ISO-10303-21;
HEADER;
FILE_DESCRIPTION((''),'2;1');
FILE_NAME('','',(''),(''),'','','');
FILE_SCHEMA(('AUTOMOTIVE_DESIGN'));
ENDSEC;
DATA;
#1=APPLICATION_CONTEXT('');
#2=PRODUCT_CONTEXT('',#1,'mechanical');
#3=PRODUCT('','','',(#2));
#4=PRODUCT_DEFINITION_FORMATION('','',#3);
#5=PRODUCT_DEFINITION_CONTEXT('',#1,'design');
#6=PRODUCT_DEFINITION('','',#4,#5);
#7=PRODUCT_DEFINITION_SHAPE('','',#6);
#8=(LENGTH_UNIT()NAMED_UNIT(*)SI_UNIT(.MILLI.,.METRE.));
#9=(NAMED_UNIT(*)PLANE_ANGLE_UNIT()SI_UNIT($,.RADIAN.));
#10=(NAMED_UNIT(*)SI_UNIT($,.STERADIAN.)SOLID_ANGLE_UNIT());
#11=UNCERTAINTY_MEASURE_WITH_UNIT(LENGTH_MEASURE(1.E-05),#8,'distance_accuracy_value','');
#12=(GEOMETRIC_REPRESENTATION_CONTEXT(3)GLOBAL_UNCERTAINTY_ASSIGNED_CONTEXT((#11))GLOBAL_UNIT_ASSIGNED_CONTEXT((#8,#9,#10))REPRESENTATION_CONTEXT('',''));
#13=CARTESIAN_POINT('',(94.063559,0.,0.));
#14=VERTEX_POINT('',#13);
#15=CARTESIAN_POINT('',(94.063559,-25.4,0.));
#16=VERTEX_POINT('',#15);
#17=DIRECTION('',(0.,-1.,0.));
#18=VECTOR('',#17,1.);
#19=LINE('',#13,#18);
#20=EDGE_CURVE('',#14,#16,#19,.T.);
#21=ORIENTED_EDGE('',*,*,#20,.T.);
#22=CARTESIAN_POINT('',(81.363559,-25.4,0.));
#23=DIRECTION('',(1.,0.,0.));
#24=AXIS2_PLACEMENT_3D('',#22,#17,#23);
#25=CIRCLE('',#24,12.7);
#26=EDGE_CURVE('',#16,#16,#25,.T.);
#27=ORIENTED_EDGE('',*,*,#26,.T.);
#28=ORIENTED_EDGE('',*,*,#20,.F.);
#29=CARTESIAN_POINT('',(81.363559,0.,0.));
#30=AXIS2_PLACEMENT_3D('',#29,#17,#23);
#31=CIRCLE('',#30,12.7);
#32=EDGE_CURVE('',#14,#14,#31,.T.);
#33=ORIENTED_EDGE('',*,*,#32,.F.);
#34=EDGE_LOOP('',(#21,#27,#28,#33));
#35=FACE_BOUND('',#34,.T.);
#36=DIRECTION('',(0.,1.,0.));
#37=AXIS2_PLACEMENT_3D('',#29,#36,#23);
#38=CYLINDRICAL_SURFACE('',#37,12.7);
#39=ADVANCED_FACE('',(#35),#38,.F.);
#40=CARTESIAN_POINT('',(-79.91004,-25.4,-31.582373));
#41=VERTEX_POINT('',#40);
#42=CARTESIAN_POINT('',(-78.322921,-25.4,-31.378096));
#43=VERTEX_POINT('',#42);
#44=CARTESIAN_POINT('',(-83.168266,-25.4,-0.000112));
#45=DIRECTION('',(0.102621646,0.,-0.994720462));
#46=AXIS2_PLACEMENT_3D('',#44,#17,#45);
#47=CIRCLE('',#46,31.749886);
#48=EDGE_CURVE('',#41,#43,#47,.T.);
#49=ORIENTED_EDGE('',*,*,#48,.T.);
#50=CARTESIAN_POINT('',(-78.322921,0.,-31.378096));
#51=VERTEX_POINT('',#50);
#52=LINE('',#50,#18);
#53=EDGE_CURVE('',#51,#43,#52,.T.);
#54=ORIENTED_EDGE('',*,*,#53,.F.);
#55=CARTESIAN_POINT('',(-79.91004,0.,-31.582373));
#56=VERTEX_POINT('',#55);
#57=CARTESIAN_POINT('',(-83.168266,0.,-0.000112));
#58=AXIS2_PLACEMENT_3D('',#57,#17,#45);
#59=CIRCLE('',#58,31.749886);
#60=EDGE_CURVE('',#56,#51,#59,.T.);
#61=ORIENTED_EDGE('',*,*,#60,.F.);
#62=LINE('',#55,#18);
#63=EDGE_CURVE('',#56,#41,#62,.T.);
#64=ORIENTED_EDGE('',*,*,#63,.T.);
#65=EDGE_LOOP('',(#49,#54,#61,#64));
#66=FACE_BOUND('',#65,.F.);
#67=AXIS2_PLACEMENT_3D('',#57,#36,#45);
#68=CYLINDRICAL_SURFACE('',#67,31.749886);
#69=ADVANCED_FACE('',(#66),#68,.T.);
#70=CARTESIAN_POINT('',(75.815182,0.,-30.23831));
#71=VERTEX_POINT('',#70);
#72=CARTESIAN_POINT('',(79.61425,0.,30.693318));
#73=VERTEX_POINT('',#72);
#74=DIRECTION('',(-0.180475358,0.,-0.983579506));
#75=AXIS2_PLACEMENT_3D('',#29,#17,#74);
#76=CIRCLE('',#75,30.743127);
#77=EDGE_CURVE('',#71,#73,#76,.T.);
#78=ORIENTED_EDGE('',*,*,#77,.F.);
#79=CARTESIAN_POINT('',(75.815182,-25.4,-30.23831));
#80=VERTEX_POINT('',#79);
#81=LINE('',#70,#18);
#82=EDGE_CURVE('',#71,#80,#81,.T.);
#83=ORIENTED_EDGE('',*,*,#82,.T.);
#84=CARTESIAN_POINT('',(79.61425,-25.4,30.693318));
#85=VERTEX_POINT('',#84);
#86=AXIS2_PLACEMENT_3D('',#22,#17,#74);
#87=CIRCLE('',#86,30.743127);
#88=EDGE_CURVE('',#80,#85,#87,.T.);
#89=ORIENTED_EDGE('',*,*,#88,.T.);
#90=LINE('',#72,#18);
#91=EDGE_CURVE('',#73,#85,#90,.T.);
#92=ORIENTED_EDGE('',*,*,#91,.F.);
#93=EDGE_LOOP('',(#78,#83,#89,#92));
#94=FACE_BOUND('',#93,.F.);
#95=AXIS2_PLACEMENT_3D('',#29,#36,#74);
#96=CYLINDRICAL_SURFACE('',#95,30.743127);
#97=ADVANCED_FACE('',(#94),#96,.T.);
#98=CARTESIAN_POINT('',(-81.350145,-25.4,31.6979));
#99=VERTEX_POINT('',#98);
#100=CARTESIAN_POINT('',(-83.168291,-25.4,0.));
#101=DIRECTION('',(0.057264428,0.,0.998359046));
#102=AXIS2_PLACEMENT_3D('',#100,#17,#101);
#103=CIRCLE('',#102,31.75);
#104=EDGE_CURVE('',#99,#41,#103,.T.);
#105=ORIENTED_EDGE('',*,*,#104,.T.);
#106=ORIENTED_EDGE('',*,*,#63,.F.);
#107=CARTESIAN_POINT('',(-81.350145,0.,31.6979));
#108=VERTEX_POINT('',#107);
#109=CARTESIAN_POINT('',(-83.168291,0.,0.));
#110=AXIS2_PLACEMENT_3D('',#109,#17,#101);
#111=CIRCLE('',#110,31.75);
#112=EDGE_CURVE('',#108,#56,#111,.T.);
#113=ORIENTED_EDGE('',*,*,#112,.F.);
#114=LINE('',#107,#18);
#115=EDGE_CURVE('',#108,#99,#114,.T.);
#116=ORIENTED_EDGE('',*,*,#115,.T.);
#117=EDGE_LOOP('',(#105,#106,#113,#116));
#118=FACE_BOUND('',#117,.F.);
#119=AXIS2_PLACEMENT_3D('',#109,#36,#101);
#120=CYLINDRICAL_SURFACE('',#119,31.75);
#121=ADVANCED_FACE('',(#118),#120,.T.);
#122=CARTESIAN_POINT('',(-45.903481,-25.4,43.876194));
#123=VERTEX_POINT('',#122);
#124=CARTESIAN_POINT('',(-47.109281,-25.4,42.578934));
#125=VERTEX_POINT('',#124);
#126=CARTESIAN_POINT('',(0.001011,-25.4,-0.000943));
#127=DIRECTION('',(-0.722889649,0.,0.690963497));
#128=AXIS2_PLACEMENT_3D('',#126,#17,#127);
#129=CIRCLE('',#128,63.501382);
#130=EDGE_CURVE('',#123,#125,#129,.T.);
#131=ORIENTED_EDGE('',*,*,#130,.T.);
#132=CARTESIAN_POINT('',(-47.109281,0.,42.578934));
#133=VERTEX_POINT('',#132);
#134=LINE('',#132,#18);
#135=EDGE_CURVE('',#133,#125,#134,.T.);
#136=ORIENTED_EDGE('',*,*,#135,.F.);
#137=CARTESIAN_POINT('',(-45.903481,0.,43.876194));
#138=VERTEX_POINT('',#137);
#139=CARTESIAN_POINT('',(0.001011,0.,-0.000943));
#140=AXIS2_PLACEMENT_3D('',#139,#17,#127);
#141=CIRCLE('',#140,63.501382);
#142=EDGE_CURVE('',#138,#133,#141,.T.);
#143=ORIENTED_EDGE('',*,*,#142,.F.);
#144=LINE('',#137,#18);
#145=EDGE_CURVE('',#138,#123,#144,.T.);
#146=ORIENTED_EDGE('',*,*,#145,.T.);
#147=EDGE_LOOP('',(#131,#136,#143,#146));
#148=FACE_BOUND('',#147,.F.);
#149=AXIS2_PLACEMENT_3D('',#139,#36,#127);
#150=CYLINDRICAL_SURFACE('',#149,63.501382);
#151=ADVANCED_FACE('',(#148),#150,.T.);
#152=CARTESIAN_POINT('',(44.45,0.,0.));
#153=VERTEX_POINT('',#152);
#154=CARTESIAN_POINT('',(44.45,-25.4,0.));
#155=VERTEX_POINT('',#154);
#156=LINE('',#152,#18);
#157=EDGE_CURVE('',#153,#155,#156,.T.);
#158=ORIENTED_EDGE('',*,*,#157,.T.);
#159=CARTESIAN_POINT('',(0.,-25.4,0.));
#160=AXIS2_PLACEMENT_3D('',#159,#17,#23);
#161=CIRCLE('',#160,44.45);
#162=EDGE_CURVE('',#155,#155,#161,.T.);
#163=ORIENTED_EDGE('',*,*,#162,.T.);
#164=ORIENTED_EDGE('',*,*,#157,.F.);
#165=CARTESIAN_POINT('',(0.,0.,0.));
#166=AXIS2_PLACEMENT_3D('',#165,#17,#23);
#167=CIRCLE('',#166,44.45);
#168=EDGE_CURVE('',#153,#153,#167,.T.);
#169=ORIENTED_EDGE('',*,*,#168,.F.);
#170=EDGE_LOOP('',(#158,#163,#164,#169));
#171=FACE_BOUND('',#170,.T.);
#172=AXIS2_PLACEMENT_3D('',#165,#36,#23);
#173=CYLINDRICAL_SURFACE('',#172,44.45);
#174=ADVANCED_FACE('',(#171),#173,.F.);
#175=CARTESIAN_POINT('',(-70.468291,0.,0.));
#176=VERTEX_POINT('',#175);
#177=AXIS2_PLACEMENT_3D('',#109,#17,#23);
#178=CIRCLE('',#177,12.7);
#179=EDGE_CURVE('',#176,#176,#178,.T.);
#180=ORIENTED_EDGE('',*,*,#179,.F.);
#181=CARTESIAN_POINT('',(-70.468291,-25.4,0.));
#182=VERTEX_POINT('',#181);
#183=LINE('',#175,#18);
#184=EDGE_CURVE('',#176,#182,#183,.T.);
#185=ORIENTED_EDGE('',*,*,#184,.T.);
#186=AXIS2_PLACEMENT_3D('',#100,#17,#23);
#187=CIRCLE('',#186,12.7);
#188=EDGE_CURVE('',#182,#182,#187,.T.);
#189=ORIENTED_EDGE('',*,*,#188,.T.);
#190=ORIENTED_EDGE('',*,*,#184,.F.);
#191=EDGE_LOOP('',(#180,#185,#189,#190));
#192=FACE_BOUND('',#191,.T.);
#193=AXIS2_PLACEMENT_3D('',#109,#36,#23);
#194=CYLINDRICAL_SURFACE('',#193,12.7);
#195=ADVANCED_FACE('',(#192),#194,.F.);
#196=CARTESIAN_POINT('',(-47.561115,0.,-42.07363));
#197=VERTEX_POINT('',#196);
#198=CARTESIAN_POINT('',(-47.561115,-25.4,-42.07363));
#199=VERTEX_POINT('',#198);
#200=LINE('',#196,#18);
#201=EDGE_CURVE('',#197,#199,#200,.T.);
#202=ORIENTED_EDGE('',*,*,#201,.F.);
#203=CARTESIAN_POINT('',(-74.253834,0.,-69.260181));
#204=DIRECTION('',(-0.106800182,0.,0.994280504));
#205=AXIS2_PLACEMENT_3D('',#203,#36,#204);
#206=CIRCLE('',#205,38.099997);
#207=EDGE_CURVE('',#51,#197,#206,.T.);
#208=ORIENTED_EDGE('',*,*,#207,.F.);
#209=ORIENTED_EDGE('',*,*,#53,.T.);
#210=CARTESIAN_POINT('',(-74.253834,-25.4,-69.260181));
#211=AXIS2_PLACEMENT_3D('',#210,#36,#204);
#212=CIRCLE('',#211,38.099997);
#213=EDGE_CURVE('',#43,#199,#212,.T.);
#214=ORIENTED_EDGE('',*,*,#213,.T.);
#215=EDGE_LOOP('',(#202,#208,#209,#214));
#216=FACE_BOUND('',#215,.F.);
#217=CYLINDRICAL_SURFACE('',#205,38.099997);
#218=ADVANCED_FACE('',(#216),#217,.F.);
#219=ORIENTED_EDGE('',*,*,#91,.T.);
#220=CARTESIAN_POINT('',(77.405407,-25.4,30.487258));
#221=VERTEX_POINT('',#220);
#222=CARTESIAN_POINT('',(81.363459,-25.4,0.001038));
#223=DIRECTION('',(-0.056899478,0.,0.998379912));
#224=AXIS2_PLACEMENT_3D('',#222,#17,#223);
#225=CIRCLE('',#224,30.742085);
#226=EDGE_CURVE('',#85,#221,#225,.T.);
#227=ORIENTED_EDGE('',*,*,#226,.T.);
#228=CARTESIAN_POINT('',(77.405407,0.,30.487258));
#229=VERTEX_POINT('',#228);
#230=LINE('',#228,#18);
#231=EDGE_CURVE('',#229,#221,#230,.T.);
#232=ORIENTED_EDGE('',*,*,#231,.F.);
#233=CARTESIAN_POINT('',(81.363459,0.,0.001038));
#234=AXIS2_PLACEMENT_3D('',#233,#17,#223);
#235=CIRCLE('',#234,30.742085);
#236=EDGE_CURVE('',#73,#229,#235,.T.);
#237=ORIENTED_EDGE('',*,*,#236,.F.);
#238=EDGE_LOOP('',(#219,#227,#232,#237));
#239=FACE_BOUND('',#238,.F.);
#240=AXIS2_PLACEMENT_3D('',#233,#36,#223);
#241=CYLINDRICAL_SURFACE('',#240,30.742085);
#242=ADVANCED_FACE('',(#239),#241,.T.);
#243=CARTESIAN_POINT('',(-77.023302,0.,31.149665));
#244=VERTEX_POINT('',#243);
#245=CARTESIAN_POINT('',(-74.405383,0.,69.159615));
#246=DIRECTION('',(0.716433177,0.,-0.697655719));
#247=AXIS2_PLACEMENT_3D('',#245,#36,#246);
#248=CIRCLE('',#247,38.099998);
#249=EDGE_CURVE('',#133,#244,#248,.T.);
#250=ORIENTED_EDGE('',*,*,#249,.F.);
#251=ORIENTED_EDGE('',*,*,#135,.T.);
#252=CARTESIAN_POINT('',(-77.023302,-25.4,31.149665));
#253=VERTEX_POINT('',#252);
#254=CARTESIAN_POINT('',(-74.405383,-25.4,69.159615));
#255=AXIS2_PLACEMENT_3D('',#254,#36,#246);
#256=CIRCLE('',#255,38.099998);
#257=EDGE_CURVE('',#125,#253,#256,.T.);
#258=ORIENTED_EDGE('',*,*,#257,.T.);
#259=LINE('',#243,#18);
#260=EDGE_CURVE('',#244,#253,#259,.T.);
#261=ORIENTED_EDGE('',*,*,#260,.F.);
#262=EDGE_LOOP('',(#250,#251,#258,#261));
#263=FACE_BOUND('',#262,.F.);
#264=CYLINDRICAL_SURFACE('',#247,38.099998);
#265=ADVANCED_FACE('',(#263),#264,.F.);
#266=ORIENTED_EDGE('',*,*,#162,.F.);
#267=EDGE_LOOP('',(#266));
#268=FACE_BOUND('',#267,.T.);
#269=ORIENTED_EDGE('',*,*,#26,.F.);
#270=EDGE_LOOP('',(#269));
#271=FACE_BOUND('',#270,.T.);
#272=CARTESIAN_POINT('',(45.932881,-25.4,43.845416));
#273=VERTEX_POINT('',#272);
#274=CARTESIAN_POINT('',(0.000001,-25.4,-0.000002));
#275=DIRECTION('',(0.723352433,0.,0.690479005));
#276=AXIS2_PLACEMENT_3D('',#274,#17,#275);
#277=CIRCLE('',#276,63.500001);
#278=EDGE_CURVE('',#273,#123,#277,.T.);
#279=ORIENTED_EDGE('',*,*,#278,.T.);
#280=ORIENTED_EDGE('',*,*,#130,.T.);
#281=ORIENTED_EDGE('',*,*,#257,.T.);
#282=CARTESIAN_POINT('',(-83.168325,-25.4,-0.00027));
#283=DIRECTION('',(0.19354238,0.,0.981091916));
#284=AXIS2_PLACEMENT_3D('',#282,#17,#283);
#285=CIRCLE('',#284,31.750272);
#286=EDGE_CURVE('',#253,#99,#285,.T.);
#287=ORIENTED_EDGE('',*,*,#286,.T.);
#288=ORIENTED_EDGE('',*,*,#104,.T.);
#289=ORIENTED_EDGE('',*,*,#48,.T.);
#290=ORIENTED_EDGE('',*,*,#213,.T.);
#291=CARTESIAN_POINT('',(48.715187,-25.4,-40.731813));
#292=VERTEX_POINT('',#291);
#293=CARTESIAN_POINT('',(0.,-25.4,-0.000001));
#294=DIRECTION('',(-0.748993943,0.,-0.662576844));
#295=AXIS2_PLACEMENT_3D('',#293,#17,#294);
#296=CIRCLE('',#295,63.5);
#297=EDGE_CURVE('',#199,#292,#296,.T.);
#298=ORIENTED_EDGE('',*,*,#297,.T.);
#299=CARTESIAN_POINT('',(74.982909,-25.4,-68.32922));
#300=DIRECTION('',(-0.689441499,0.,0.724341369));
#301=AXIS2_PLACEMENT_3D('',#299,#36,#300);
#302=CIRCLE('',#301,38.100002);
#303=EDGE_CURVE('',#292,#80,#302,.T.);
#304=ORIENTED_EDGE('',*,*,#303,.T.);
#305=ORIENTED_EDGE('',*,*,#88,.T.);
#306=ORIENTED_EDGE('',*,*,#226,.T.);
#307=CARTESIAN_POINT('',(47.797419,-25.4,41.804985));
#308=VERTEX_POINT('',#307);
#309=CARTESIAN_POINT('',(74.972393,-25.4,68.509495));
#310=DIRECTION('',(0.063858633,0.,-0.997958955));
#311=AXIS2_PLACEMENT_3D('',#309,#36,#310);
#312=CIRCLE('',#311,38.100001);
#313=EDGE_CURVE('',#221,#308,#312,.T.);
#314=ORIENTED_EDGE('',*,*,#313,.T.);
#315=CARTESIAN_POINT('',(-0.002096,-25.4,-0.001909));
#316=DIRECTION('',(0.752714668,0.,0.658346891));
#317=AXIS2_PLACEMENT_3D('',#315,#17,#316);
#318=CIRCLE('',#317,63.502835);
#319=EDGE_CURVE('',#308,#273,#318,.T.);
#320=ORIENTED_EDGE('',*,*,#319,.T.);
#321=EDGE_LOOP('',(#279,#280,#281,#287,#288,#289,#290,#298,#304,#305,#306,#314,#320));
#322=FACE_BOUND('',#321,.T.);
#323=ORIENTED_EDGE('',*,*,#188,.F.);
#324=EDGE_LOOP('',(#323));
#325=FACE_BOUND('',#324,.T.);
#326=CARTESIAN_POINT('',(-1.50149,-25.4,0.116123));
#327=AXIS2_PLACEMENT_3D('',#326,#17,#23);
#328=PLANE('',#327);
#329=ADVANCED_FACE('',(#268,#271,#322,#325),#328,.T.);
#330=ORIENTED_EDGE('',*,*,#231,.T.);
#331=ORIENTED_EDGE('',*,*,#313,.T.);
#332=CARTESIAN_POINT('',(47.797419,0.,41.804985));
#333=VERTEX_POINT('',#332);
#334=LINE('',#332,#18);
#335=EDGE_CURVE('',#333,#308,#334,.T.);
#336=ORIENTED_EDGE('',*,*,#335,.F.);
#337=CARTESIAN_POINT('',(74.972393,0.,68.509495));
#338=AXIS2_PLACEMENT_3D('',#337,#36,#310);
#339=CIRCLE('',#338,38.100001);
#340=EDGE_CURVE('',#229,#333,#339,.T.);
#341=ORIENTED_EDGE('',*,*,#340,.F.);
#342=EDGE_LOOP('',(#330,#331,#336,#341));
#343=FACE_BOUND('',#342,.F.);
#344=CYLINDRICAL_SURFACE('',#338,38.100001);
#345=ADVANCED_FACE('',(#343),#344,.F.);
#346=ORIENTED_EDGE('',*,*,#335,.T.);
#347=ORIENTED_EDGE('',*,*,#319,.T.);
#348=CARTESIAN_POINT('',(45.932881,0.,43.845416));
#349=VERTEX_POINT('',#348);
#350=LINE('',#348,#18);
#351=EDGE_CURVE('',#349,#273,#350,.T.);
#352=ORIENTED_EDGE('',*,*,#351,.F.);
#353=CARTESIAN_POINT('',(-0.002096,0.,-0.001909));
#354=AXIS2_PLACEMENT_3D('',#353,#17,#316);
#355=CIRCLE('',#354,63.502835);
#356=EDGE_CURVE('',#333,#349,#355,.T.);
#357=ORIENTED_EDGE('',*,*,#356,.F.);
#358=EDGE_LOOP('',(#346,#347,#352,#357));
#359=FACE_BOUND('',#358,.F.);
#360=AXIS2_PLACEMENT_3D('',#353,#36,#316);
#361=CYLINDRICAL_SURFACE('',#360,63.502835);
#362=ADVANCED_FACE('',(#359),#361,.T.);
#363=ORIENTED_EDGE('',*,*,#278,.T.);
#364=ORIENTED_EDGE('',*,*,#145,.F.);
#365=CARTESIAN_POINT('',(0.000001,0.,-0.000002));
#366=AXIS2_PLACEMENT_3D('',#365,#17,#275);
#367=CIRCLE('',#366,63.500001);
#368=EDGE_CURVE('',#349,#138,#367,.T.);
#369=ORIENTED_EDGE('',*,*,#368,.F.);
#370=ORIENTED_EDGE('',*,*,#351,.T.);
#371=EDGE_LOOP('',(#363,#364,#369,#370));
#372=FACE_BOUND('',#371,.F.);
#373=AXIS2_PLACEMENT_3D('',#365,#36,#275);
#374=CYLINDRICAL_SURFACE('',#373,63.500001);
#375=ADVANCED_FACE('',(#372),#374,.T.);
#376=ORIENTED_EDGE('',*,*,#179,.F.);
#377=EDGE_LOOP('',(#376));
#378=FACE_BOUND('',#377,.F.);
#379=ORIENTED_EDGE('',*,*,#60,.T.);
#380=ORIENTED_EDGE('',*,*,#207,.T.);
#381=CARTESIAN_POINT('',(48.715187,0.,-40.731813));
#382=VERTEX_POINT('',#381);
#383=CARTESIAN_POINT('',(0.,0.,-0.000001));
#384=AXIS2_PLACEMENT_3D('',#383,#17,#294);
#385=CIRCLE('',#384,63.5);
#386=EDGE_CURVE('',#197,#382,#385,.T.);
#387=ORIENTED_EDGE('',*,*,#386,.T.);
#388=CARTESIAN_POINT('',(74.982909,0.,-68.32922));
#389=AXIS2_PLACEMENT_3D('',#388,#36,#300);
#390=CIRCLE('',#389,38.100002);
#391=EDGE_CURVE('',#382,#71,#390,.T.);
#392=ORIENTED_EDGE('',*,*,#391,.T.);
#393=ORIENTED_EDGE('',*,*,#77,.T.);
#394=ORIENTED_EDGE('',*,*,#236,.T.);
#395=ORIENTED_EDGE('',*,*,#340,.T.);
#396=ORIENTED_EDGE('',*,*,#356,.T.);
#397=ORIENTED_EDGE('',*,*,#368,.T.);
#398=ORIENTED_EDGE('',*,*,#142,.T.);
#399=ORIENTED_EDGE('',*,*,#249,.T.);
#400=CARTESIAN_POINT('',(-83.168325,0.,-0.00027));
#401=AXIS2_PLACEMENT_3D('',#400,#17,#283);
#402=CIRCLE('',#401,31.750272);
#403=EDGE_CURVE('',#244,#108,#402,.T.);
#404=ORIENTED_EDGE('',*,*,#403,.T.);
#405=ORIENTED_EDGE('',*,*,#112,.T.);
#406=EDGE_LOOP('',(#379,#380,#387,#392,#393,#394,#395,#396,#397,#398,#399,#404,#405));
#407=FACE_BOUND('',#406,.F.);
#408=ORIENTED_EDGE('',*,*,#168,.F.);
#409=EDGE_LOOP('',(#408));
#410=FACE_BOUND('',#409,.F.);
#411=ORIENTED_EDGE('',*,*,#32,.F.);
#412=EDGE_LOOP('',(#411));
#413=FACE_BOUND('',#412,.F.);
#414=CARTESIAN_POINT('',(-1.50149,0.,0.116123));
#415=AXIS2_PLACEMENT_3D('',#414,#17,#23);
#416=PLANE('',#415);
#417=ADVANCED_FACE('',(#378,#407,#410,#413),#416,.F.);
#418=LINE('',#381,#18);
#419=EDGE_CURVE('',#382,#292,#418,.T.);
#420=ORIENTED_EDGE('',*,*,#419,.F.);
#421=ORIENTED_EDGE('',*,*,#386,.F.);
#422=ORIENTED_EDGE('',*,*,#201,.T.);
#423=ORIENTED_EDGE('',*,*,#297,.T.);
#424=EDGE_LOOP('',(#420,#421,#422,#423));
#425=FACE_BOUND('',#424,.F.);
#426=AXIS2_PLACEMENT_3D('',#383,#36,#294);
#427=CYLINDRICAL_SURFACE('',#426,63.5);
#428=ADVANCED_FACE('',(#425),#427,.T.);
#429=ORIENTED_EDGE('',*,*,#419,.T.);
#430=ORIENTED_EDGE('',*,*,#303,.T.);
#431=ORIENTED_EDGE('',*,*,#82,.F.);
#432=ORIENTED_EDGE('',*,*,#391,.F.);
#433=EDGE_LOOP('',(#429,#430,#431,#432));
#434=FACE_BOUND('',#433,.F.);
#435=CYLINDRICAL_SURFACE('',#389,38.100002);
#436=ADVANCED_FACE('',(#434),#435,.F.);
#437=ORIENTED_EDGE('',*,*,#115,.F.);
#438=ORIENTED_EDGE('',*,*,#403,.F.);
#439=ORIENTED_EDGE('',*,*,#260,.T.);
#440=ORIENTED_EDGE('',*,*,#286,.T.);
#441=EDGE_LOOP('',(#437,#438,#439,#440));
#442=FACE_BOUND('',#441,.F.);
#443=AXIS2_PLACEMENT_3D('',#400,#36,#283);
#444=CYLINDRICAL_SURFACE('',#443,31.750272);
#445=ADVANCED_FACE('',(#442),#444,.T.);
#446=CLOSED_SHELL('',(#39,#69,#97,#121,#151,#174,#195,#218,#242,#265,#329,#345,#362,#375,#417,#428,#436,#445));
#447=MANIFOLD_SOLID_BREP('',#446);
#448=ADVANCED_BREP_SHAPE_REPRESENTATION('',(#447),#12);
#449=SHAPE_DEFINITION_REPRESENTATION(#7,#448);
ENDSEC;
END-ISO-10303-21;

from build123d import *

# Parameters (mm, degrees)
F0_R     = 12.7
F0_R_2   = 44.45
F1_DEPTH = 25.4


with BuildPart() as f1:
    # F0 (on Front) → F1 (new body)
    with BuildSketch(Plane.XZ):
        with BuildLine():
            ThreePointArc((-78.322921, -31.378096), (-61.741608, -33.273322), (-47.561115, -42.07363))
            ThreePointArc((-47.561115, -42.07363), (0.884923, -63.493834), (48.715187, -40.731813))
            ThreePointArc((48.715187, -40.731813), (61.225405, -32.799779), (75.815182, -30.23831))
            ThreePointArc((75.815182, -30.23831), (112.047103, -1.913109), (79.61425, 30.693318))
            ThreePointArc((79.61425, 30.693318), (78.511328, 30.574208), (77.405407, 30.487258))
            ThreePointArc((77.405407, 30.487258), (61.368574, 32.920927), (47.797419, 41.804985))
            ThreePointArc((47.797419, 41.804985), (46.84664, 42.808286), (45.932881, 43.845416))
            ThreePointArc((45.932881, 43.845416), (0.021282, 63.499996), (-45.903481, 43.876194))
            ThreePointArc((-45.903481, 43.876194), (-46.498842, 43.220557), (-47.109281, 42.578934))
            ThreePointArc((-47.109281, 42.578934), (-60.807213, 33.568892), (-77.023302, 31.149665))
            ThreePointArc((-77.023302, 31.149665), (-79.194575, 31.361818), (-81.350145, 31.6979))
            ThreePointArc((-81.350145, 31.6979), (-114.910072, -0.722366), (-79.91004, -31.582373))
            ThreePointArc((-79.91004, -31.582373), (-79.117553, -31.471901), (-78.322921, -31.378096))
        make_face()
        with Locations((-83.168291, 0)):
            Circle(F0_R, mode=Mode.SUBTRACT)
        Circle(F0_R_2, mode=Mode.SUBTRACT)
        with Locations((81.363559, 0)):
            Circle(F0_R, mode=Mode.SUBTRACT)
        with BuildLine():
            ThreePointArc((-79.91004, -31.582373), (-79.115193, -31.490235), (-78.322921, -31.378096))
            ThreePointArc((-78.322921, -31.378096), (-79.117553, -31.471901), (-79.91004, -31.582373))
        make_face()
        with BuildLine():
            ThreePointArc((77.405407, 30.487258), (78.511328, 30.574208), (79.61425, 30.693318))
            ThreePointArc((79.61425, 30.693318), (78.507969, 30.610219), (77.405407, 30.487258))
        make_face()
        with BuildLine():
            ThreePointArc((-77.023302, 31.149665), (-79.177299, 31.498166), (-81.350145, 31.6979))
            ThreePointArc((-81.350145, 31.6979), (-79.194575, 31.361818), (-77.023302, 31.149665))
        make_face()
        with BuildLine():
            ThreePointArc((45.932881, 43.845416), (46.84664, 42.808286), (47.797419, 41.804985))
            ThreePointArc((47.797419, 41.804985), (46.876253, 42.835346), (45.932881, 43.845416))
        make_face()
        with BuildLine():
            ThreePointArc((-45.903481, 43.876194), (-46.510904, 43.231768), (-47.109281, 42.578934))
            ThreePointArc((-47.109281, 42.578934), (-46.498842, 43.220557), (-45.903481, 43.876194))
        make_face()
    extrude(amount=F1_DEPTH)


solid = f1.part
